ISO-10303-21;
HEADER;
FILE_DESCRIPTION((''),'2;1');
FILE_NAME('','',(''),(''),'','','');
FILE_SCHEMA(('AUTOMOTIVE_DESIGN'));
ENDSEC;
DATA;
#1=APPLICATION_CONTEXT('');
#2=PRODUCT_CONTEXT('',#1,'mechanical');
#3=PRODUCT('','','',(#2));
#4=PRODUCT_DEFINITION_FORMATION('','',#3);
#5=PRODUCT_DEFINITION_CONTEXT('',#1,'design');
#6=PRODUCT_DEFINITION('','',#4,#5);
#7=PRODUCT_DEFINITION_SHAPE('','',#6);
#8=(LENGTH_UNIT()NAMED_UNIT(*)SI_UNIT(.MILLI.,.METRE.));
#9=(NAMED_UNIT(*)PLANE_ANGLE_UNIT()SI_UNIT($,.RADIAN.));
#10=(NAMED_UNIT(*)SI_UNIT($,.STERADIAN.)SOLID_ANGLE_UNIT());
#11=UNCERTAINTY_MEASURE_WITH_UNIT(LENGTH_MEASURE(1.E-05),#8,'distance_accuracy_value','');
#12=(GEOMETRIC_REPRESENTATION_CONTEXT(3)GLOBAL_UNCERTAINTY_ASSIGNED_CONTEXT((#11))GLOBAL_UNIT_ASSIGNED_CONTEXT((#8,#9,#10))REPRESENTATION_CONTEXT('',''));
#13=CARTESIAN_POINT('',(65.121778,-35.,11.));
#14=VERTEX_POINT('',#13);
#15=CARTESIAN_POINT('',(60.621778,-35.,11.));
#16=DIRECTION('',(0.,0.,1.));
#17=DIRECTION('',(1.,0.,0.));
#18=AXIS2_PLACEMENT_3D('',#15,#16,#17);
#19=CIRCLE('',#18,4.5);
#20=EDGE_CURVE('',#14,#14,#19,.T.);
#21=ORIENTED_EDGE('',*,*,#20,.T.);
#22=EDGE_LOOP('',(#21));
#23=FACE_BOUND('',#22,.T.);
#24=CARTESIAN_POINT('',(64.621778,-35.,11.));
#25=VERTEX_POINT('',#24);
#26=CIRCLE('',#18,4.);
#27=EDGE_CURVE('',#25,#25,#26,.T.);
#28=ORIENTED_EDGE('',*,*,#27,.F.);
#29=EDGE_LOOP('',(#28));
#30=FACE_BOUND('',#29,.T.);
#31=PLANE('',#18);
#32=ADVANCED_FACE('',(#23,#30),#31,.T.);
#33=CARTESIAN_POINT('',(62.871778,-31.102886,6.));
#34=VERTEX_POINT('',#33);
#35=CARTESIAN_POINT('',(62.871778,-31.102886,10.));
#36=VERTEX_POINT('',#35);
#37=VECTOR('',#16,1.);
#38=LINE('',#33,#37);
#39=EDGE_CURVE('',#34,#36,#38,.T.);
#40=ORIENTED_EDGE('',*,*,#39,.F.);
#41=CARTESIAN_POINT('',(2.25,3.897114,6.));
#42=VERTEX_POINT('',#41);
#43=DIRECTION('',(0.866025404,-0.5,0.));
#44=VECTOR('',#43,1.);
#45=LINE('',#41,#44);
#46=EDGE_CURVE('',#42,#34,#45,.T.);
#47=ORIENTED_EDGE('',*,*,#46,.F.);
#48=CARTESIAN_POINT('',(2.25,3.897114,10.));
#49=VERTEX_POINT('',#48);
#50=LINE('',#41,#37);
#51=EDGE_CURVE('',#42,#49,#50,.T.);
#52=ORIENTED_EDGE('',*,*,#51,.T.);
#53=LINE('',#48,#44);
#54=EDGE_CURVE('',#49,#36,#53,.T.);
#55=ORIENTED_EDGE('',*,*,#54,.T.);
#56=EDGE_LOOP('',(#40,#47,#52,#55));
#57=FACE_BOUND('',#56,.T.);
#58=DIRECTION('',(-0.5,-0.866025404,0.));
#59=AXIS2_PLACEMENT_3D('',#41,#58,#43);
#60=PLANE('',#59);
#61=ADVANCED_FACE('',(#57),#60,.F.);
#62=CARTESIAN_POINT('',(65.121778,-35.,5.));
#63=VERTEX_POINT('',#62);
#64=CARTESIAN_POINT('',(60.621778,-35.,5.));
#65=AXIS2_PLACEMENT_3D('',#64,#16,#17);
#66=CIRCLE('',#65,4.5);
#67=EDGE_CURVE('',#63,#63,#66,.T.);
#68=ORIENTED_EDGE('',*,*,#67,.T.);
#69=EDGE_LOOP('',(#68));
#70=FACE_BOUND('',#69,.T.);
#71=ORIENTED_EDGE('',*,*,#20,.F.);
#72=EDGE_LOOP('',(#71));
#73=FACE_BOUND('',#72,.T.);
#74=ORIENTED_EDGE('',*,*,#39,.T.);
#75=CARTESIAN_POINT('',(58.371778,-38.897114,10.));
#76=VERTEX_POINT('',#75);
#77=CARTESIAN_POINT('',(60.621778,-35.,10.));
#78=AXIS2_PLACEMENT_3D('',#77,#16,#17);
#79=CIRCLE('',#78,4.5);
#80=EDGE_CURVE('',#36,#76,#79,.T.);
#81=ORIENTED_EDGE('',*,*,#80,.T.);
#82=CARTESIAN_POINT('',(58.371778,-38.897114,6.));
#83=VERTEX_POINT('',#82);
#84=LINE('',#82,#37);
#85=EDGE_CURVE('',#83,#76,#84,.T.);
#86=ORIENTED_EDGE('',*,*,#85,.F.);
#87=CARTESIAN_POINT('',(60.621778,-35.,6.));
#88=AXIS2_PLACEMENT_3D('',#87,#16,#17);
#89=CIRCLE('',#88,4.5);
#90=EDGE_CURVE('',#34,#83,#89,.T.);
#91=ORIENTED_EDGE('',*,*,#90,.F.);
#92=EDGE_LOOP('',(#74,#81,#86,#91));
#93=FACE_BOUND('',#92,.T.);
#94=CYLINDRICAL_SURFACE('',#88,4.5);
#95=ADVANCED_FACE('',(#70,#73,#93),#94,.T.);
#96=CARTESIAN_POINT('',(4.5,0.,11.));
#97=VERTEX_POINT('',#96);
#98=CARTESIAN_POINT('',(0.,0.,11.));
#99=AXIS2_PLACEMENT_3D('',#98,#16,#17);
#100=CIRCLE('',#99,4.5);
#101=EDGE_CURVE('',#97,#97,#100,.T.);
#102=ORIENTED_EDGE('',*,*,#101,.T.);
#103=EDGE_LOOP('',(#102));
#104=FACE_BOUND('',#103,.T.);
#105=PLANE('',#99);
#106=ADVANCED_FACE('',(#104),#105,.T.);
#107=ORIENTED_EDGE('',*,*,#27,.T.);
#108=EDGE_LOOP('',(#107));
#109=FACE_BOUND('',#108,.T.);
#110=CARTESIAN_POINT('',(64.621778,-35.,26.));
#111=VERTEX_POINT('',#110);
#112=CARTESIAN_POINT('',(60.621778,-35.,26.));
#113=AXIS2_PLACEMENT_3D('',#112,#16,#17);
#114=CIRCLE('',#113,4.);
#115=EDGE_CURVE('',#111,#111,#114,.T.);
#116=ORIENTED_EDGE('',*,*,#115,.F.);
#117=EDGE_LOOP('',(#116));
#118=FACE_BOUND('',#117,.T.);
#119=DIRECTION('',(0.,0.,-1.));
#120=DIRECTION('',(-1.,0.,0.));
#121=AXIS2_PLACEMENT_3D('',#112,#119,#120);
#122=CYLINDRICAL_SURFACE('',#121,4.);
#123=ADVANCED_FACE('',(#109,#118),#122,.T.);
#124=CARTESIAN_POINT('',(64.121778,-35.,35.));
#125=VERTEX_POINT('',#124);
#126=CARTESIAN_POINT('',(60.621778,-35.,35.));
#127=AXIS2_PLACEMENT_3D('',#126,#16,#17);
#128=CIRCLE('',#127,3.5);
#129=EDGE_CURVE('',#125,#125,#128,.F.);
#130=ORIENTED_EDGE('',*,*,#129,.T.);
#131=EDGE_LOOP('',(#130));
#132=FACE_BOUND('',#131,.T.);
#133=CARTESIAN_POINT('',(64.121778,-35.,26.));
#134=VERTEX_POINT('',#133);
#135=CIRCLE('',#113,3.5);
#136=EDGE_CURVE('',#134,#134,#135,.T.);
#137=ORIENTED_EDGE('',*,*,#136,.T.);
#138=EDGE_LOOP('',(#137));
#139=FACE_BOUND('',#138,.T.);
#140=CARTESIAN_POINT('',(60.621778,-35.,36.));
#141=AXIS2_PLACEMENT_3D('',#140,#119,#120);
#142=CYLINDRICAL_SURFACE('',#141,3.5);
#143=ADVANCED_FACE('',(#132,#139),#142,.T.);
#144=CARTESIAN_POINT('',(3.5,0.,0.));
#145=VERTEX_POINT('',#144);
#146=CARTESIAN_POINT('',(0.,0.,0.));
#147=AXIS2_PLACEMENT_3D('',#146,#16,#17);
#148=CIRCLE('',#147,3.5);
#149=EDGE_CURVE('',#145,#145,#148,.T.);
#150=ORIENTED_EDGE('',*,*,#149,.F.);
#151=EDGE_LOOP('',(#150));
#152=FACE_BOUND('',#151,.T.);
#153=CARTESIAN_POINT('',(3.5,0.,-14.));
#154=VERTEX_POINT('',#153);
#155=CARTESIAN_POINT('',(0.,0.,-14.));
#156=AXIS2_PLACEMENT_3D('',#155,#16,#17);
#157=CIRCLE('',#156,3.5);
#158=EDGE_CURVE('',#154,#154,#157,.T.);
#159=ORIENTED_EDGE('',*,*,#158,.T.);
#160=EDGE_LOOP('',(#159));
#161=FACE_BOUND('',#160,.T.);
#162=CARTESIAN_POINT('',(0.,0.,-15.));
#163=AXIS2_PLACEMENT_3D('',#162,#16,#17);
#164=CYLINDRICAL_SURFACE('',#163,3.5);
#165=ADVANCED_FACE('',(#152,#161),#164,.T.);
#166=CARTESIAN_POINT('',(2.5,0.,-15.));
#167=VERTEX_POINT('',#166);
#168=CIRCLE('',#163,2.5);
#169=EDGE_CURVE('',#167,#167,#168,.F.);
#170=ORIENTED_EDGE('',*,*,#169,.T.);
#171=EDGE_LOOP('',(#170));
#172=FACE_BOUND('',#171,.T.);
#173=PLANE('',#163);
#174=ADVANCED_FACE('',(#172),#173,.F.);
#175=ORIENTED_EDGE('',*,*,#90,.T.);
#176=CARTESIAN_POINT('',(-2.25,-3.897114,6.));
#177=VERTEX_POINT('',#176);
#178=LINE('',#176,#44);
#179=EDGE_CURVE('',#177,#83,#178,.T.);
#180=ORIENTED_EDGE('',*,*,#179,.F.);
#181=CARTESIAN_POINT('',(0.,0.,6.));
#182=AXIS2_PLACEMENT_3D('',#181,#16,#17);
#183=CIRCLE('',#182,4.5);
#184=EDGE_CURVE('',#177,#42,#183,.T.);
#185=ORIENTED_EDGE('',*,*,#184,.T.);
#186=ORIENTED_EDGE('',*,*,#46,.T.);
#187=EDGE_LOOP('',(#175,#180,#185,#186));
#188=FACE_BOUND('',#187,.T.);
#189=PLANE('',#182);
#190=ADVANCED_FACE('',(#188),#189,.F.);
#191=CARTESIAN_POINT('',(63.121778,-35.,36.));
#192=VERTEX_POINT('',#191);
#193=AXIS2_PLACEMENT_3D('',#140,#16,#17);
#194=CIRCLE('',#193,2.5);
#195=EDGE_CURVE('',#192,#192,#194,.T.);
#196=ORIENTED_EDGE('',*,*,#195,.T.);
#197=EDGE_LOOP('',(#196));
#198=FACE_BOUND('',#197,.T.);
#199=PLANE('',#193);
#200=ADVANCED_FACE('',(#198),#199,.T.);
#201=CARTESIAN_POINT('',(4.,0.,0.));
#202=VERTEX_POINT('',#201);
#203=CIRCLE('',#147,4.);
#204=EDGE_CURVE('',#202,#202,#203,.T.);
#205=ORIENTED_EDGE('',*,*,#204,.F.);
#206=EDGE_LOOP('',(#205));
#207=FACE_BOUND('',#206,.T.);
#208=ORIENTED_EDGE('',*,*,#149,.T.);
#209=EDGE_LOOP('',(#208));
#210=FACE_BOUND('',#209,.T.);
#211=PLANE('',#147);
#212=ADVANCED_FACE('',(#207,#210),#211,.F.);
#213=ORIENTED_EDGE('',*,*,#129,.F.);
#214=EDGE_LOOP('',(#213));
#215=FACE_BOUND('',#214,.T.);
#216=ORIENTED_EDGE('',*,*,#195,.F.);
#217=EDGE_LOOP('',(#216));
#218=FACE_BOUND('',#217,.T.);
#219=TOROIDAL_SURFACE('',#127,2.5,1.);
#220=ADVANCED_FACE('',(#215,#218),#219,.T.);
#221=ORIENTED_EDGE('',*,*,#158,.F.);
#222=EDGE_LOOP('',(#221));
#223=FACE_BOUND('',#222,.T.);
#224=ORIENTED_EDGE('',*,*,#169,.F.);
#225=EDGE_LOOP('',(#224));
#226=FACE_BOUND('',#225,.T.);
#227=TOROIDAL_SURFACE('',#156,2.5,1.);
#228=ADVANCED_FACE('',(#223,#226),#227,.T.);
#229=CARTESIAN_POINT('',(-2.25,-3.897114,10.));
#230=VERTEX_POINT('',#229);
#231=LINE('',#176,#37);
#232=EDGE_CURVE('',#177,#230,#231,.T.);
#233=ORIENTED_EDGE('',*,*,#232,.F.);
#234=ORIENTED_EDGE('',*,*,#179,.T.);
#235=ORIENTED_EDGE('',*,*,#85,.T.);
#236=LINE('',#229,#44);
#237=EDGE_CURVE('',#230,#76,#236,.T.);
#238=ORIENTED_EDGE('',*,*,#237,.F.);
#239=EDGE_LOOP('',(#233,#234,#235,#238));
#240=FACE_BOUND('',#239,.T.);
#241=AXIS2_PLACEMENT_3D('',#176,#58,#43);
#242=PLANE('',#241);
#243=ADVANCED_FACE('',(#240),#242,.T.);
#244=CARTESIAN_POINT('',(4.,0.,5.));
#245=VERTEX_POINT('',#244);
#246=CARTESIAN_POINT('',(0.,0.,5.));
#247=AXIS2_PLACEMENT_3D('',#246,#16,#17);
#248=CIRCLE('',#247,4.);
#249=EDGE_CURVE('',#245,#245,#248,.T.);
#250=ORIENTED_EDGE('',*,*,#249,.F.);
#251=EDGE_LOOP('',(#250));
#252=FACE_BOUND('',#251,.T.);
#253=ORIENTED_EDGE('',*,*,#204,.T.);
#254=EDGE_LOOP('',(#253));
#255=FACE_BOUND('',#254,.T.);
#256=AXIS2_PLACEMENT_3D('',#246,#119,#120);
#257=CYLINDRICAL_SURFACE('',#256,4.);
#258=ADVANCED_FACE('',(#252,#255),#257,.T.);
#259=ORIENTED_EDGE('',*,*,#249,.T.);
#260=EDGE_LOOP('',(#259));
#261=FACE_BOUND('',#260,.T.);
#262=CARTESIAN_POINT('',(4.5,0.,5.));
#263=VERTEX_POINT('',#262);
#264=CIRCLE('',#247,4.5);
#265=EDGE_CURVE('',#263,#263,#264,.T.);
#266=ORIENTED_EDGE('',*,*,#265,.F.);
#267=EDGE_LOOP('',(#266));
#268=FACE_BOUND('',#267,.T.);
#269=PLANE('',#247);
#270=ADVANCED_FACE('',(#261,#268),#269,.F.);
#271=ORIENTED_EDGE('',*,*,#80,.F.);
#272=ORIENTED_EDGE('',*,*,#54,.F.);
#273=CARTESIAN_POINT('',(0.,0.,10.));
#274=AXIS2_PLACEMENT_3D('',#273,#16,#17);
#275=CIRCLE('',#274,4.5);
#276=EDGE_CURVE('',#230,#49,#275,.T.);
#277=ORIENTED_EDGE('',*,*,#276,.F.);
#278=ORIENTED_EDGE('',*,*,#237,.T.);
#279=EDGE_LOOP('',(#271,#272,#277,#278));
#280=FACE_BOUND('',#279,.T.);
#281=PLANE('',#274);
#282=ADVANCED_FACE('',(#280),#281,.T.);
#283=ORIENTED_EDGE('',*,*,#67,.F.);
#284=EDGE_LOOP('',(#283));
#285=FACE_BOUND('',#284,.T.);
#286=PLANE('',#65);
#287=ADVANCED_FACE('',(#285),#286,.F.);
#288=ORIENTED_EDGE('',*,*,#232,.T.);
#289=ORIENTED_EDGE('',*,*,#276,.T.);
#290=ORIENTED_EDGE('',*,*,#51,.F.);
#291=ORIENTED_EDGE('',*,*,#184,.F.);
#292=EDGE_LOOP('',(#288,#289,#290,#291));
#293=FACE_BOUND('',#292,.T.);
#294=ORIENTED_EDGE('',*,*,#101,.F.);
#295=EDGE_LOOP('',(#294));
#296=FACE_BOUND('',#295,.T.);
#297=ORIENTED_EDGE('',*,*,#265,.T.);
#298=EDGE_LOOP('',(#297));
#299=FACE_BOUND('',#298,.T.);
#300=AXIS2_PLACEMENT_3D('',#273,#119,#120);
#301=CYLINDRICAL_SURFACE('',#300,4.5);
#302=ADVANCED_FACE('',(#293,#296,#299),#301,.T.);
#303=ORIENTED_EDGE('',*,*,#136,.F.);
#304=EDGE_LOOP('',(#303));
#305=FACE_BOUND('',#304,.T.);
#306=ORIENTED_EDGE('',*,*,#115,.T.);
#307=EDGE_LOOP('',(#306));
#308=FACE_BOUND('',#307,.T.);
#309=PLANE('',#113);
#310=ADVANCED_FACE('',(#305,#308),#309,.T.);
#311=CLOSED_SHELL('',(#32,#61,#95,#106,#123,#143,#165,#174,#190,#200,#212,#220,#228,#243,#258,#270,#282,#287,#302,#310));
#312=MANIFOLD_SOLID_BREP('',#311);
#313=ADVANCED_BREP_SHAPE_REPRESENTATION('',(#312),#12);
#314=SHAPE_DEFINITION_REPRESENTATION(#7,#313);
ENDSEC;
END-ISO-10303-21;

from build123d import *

# Parameters (mm, degrees)
SKETCH1_R                = 3.5
BOSS_EXTRUDE1_DEPTH      = 15
SKETCH2_R                = 4
BOSS_EXTRUDE2_DEPTH      = 5
SKETCH3_R                = 4.5
BOSS_EXTRUDE3_DEPTH      = 5
BOSS_EXTRUDE4_DEPTH      = 4
SKETCH6_R                = 4.5
BOSS_EXTRUDE5_DEPTH      = 1
BOSS_EXTRUDE5_DEPTH_BACK = 5
SKETCH7_R                = 4
BOSS_EXTRUDE6_DEPTH      = 15
SKETCH8_R                = 3.5
BOSS_EXTRUDE7_DEPTH      = 10
FILLET3_R                = 1


with BuildPart() as part:
    # Sketch1 → Boss-Extrude1 (new body)
    with BuildSketch(Plane.XY):
        Circle(SKETCH1_R)
    extrude(amount=-BOSS_EXTRUDE1_DEPTH)

    # Sketch2 → Boss-Extrude2 (add)
    with BuildSketch(Plane.XY):
        Circle(SKETCH2_R)
    extrude(amount=BOSS_EXTRUDE2_DEPTH)

    # Sketch3 → Boss-Extrude3 (add)
    with BuildSketch(Plane.XY.offset(5)):
        Circle(SKETCH3_R)
    extrude(amount=BOSS_EXTRUDE3_DEPTH)

    # Sketch5 → Boss-Extrude4 (add)
    with BuildSketch(Plane.XY.offset(10)):
        with BuildLine():
            Line((0, 0), (-2.25, -3.897114317))
            Line((-2.25, -3.897114317), (58.371778036, -38.897114185))
            ThreePointArc((58.371778036, -38.897114185), (64.518892287, -37.249999982), (62.871778265, -31.102885683))
            Line((62.871778265, -31.102885683), (2.25, 3.897114317))
            Line((2.25, 3.897114317), (0, 0))
        make_face()
    extrude(amount=-BOSS_EXTRUDE4_DEPTH)

    # Sketch6 → Boss-Extrude5 (add, two sides)
    with BuildSketch(Plane.XY.offset(10)) as boss_extrude5_sk:
        Circle(SKETCH6_R)
        with Locations((60.621778036, -34.999999868)):
            Circle(SKETCH6_R)
    extrude(amount=BOSS_EXTRUDE5_DEPTH)
    extrude(boss_extrude5_sk.sketch, amount=-BOSS_EXTRUDE5_DEPTH_BACK)

    # Sketch7 → Boss-Extrude6 (add)
    with BuildSketch(Plane.XY.offset(11)):
        with Locations((60.621778036, -34.999999868)):
            Circle(SKETCH7_R)
    extrude(amount=BOSS_EXTRUDE6_DEPTH)

    # Sketch8 → Boss-Extrude7 (add)
    with BuildSketch(Plane.XY.offset(26)):
        with Locations((60.621778036, -34.999999868)):
            Circle(SKETCH8_R)
    extrude(amount=BOSS_EXTRUDE7_DEPTH)

    # Fillet3
    fillet3_edges = [part.edges().sort_by_distance(p)[0] for p in [
        (-3.5, 0, -15),
        (57.121778036, -34.999999868, 36),
    ]]
    fillet(fillet3_edges, radius=FILLET3_R)


solid = part.part
